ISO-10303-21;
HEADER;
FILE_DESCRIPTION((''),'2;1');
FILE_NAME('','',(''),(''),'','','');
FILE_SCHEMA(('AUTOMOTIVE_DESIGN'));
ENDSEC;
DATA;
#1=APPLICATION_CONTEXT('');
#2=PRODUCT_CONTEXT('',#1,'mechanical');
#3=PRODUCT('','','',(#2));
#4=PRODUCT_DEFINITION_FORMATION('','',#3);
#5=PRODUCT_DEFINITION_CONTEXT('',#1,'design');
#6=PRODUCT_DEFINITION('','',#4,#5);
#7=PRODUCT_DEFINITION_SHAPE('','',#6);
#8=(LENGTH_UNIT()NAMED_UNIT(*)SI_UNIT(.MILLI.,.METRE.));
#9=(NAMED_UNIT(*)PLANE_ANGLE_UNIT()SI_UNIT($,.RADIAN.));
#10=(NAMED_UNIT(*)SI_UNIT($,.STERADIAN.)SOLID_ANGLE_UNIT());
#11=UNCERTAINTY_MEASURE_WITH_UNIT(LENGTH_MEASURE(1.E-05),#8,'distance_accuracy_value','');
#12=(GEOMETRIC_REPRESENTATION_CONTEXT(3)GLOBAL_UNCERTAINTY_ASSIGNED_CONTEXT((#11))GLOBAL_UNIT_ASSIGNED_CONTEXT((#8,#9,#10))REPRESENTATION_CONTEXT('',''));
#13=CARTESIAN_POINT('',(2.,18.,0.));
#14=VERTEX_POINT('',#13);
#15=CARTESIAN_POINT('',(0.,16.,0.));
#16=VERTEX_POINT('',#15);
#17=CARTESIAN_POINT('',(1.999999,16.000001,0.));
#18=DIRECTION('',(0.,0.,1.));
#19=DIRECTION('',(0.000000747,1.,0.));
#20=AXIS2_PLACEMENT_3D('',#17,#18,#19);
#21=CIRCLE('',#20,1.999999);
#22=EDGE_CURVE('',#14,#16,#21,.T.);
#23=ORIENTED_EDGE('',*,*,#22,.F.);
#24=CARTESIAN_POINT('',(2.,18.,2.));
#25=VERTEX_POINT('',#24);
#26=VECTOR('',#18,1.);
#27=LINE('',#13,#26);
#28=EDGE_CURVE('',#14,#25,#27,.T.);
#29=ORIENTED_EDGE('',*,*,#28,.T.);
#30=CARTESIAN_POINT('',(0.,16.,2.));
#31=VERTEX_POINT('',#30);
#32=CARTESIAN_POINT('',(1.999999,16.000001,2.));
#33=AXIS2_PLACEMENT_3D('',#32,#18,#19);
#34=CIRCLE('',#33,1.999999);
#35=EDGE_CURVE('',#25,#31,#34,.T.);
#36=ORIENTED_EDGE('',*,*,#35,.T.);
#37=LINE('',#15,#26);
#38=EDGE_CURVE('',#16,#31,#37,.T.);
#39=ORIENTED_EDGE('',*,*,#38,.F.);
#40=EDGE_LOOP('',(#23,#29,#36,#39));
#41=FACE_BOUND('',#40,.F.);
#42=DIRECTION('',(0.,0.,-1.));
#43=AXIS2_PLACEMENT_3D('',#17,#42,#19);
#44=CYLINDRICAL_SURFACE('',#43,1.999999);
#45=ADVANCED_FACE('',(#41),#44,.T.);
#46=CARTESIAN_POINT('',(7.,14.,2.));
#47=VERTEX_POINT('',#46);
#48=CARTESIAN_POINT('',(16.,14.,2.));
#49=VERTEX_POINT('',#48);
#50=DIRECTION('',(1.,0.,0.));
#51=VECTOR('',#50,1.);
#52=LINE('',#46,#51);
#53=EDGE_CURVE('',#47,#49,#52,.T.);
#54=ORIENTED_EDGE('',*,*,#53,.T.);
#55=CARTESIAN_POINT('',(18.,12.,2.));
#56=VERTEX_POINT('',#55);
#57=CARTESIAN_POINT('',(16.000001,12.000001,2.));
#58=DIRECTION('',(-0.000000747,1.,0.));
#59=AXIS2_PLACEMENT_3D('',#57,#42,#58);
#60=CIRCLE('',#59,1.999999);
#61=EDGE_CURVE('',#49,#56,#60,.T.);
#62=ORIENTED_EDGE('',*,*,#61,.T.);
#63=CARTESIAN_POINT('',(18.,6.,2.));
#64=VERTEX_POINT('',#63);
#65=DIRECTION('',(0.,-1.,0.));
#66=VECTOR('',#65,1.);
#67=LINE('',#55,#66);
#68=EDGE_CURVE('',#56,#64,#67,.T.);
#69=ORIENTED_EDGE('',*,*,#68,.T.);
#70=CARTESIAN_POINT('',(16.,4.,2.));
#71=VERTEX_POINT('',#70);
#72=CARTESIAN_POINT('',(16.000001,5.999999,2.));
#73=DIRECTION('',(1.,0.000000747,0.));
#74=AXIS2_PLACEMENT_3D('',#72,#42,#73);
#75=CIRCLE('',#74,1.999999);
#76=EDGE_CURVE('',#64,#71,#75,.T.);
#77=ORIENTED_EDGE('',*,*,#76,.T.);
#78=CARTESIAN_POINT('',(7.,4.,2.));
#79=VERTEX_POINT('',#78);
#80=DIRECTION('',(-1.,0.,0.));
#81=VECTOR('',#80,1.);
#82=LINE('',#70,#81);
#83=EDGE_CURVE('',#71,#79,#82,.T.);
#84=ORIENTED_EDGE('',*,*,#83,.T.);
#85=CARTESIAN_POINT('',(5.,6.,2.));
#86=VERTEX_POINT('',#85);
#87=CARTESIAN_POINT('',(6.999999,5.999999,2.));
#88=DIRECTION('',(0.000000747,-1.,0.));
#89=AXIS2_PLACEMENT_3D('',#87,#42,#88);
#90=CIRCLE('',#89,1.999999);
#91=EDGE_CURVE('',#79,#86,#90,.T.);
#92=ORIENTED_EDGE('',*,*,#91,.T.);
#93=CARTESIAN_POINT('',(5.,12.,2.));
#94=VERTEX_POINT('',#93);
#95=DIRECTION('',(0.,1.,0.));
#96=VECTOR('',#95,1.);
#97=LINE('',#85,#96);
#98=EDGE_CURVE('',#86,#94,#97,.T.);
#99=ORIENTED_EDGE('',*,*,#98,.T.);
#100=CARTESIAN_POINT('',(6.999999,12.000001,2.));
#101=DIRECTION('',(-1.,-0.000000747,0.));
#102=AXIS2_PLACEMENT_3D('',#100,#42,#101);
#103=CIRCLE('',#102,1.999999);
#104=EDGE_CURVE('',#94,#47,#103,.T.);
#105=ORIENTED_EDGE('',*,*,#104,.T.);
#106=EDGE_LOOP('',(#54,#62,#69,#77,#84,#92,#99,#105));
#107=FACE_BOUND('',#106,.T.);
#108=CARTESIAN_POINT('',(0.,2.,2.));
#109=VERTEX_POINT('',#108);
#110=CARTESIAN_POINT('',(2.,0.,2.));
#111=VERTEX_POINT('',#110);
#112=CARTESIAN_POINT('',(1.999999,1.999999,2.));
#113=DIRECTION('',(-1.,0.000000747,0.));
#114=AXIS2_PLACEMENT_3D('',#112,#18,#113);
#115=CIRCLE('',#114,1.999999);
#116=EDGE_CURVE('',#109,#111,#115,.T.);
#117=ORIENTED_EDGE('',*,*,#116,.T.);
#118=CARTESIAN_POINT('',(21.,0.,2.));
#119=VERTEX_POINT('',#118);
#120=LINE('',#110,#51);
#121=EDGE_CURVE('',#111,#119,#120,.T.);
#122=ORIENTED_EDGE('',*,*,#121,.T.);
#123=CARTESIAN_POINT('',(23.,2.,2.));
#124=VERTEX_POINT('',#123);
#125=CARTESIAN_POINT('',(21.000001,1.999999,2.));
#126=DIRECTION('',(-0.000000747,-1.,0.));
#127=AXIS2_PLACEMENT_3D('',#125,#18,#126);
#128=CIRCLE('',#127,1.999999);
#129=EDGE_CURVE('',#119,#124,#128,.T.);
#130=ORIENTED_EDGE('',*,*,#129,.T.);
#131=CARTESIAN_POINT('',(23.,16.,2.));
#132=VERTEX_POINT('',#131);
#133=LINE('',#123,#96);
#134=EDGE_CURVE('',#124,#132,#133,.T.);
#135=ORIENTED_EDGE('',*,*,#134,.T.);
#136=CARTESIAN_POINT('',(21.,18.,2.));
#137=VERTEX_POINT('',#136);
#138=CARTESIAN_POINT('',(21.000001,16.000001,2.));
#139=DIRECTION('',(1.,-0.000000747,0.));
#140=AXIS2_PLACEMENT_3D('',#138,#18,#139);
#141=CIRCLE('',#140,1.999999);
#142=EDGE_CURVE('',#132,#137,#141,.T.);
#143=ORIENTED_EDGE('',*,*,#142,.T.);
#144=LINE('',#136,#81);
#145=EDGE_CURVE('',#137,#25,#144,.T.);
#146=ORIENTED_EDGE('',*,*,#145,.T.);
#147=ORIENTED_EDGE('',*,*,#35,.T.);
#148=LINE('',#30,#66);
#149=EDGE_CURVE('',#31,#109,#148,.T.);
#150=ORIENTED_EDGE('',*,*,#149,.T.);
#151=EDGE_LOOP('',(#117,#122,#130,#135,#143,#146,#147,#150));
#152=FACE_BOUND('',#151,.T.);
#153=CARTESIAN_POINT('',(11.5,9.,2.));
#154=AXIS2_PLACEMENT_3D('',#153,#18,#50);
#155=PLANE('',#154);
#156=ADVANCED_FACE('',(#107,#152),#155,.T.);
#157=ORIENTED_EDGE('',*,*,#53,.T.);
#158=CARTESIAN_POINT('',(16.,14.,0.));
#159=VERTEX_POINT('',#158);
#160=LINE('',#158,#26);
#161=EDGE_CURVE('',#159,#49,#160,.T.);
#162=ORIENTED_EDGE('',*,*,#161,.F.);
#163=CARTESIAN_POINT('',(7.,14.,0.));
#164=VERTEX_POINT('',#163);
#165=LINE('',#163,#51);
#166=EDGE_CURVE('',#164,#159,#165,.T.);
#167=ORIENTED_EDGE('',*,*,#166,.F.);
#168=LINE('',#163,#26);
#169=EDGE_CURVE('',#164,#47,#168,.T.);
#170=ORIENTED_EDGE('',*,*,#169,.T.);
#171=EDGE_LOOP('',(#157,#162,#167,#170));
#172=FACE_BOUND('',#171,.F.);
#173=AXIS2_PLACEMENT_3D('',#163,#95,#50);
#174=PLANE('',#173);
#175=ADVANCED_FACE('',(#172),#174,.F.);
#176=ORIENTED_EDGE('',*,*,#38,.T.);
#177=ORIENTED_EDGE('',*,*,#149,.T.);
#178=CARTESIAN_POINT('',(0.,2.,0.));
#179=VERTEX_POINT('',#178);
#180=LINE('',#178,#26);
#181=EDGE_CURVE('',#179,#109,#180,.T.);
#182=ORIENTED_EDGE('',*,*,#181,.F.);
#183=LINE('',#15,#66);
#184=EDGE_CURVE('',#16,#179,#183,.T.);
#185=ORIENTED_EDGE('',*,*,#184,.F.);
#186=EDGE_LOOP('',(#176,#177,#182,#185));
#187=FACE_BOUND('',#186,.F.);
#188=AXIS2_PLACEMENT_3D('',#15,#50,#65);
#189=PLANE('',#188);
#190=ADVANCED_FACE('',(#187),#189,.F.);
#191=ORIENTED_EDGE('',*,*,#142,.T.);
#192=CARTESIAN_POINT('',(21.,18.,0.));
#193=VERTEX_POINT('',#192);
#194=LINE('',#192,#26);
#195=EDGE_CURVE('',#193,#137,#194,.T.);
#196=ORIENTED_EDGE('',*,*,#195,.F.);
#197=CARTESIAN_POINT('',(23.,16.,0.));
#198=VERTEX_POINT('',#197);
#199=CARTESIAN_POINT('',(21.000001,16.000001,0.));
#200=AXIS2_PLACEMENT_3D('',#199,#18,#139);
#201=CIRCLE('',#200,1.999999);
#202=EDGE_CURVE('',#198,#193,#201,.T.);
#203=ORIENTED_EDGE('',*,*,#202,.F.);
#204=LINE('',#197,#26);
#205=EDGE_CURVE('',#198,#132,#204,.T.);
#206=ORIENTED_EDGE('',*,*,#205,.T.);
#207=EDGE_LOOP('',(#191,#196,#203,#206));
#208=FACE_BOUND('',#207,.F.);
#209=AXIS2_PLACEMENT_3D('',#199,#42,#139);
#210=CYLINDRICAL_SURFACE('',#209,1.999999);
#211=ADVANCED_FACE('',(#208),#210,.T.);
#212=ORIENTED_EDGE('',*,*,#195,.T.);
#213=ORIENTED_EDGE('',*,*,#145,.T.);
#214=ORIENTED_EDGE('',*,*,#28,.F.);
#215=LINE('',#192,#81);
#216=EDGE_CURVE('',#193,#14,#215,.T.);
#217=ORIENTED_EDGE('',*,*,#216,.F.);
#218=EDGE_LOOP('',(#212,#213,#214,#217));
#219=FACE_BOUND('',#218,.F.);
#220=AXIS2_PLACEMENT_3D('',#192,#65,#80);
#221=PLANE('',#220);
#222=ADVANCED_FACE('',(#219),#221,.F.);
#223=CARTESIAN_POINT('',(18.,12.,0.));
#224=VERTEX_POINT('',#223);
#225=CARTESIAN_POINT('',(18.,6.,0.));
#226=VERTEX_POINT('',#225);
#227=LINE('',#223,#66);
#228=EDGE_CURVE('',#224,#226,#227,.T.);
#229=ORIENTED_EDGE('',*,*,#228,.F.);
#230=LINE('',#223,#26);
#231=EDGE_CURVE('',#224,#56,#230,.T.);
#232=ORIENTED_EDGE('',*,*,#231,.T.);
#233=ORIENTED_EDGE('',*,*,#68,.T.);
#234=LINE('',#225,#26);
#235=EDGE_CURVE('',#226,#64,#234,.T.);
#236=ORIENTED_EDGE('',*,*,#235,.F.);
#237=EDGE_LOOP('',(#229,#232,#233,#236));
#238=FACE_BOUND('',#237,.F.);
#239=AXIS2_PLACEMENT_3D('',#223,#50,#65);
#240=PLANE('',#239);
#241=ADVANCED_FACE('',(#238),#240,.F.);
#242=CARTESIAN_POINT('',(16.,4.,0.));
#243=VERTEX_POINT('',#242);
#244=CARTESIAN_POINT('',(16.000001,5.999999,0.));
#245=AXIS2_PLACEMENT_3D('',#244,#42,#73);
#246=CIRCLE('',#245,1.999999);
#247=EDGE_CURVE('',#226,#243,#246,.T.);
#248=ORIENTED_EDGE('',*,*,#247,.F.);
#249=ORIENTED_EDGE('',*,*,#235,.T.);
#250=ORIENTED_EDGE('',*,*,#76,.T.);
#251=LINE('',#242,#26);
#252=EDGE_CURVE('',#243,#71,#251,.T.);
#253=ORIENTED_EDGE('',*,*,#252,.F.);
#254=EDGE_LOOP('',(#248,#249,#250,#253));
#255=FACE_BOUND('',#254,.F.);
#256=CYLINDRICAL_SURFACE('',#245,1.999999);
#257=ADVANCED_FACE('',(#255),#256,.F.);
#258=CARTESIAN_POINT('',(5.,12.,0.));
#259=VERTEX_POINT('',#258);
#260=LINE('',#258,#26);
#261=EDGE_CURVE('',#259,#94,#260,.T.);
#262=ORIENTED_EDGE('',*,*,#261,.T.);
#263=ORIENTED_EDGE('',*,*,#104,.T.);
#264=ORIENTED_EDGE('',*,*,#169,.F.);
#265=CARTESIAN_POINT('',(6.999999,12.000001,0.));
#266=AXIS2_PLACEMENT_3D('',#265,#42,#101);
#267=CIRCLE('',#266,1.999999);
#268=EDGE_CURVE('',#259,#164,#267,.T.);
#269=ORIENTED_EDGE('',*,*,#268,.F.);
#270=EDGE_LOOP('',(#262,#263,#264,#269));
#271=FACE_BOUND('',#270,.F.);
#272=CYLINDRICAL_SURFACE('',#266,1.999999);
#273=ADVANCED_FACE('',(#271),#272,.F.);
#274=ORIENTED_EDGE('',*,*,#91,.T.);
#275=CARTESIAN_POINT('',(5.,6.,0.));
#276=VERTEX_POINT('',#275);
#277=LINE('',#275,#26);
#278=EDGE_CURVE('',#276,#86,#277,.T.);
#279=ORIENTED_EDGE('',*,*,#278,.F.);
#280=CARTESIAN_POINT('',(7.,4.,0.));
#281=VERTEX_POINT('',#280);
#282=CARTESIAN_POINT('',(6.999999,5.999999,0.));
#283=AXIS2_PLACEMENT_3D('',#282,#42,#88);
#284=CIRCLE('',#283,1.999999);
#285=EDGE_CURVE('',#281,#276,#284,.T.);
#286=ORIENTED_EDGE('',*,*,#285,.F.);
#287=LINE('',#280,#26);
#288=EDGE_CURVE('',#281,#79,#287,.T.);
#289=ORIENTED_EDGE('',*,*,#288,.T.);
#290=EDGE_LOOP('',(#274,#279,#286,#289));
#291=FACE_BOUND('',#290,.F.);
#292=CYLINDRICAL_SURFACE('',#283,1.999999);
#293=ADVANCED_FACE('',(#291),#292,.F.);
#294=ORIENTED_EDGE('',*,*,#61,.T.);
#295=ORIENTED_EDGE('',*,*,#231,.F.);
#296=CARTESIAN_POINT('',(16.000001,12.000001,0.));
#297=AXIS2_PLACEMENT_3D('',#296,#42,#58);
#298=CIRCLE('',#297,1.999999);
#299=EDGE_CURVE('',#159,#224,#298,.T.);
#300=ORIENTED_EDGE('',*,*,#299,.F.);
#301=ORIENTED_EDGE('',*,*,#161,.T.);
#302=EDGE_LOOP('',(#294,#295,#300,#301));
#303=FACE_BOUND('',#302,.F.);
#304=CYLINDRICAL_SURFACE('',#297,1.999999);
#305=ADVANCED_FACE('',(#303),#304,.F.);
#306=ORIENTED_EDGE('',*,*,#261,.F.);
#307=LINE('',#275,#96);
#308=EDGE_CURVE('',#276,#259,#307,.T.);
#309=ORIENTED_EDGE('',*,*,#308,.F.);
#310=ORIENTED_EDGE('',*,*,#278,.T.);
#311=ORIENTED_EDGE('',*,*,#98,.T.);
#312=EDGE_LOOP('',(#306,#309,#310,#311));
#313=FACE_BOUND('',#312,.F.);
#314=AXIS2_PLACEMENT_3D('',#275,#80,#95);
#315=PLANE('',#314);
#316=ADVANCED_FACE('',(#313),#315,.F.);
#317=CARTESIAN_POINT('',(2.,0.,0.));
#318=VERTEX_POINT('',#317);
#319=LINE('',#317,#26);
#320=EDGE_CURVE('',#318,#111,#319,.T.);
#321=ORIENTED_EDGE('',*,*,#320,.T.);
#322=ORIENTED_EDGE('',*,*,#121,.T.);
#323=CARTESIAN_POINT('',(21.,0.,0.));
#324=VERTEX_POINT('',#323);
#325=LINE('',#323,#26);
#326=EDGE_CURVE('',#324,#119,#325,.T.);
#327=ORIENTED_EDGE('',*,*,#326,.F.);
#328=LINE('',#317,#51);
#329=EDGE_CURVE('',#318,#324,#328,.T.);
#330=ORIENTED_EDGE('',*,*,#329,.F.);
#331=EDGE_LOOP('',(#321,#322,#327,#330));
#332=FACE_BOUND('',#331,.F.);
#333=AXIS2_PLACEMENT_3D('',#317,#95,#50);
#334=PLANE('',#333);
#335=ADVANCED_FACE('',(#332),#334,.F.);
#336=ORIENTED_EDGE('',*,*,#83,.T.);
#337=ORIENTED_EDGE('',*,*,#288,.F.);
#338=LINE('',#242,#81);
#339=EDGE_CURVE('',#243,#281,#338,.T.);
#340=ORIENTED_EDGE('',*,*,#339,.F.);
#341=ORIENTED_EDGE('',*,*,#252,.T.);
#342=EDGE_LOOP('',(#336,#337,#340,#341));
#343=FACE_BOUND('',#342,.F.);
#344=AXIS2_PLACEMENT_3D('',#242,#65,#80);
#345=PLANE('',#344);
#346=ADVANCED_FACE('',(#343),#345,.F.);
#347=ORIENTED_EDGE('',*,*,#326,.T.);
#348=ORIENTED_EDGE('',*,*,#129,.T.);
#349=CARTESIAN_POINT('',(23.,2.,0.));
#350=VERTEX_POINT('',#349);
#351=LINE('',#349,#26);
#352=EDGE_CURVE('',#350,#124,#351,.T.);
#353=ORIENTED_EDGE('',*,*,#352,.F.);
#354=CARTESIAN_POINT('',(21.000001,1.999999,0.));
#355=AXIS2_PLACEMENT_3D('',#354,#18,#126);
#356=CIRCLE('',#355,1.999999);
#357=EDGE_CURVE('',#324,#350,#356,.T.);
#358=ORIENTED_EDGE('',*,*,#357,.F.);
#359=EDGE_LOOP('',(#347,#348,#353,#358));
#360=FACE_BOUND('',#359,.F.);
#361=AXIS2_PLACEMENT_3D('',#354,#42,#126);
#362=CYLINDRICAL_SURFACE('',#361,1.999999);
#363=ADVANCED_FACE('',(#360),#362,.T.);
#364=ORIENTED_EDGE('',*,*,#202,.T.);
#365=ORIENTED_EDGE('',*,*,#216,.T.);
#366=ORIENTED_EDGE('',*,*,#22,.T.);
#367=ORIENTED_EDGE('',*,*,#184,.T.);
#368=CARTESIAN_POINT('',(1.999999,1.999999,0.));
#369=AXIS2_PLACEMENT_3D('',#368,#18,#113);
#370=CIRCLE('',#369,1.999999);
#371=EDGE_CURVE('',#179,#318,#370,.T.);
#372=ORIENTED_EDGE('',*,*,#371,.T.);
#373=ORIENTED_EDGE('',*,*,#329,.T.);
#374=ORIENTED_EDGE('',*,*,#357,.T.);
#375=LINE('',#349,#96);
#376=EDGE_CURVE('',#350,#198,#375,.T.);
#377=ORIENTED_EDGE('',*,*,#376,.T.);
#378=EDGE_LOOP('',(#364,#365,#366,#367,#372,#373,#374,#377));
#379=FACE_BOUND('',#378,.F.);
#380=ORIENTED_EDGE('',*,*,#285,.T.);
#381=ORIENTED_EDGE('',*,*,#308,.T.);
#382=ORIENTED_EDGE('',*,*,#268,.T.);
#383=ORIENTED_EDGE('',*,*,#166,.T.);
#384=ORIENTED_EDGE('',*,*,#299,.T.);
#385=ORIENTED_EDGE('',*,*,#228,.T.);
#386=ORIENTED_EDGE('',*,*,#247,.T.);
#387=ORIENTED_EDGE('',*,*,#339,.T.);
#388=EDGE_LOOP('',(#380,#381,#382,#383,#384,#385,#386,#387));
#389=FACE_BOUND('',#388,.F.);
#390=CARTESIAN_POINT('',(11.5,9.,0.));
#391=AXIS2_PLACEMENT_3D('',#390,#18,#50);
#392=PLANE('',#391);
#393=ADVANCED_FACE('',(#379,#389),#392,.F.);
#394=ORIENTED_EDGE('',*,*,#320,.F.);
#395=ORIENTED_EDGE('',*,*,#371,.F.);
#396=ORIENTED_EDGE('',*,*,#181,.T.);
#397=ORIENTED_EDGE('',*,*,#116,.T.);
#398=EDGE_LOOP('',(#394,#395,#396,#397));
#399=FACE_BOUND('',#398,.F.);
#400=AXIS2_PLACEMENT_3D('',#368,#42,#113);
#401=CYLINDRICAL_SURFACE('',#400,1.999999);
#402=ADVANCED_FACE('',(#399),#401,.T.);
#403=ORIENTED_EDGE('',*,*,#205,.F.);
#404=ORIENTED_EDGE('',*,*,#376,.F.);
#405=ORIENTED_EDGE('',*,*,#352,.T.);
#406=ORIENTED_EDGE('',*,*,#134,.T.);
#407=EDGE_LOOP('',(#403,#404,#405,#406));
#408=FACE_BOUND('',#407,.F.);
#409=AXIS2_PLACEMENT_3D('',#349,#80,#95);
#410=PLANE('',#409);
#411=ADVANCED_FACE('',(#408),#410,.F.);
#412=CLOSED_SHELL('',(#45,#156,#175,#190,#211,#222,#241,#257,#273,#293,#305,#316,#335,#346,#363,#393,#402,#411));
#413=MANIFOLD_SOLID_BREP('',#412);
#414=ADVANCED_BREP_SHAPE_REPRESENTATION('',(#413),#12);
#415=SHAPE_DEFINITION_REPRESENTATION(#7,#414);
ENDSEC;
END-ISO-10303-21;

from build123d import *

# Parameters (mm, degrees)
F1_DEPTH = 2


with BuildPart() as f1:
    # F0 (on Top) → F1 (new body)
    with BuildSketch(Plane.XY):
        with BuildLine():
            ThreePointArc((0, 2), (0.585786, 0.585786), (2, 0))
            Line((2, 0), (21, 0))
            ThreePointArc((21, 0), (22.414214, 0.585786), (23, 2))
            Line((23, 2), (23, 16))
            ThreePointArc((23, 16), (22.414214, 17.414214), (21, 18))
            Line((21, 18), (2, 18))
            ThreePointArc((2, 18), (0.585786, 17.414214), (0, 16))
            Line((0, 16), (0, 2))
        make_face()
        with BuildLine():
            Line((5, 6), (5, 9))
            Line((5, 9), (5, 12))
            ThreePointArc((5, 12), (5.585786, 13.414214), (7, 14))
            Line((7, 14), (16, 14))
            ThreePointArc((16, 14), (17.414214, 13.414214), (18, 12))
            Line((18, 12), (18, 9))
            Line((18, 9), (18, 6))
            ThreePointArc((18, 6), (17.414214, 4.585786), (16, 4))
            Line((16, 4), (7, 4))
            ThreePointArc((7, 4), (5.585786, 4.585786), (5, 6))
        make_face(mode=Mode.SUBTRACT)
    extrude(amount=F1_DEPTH)


solid = f1.part
